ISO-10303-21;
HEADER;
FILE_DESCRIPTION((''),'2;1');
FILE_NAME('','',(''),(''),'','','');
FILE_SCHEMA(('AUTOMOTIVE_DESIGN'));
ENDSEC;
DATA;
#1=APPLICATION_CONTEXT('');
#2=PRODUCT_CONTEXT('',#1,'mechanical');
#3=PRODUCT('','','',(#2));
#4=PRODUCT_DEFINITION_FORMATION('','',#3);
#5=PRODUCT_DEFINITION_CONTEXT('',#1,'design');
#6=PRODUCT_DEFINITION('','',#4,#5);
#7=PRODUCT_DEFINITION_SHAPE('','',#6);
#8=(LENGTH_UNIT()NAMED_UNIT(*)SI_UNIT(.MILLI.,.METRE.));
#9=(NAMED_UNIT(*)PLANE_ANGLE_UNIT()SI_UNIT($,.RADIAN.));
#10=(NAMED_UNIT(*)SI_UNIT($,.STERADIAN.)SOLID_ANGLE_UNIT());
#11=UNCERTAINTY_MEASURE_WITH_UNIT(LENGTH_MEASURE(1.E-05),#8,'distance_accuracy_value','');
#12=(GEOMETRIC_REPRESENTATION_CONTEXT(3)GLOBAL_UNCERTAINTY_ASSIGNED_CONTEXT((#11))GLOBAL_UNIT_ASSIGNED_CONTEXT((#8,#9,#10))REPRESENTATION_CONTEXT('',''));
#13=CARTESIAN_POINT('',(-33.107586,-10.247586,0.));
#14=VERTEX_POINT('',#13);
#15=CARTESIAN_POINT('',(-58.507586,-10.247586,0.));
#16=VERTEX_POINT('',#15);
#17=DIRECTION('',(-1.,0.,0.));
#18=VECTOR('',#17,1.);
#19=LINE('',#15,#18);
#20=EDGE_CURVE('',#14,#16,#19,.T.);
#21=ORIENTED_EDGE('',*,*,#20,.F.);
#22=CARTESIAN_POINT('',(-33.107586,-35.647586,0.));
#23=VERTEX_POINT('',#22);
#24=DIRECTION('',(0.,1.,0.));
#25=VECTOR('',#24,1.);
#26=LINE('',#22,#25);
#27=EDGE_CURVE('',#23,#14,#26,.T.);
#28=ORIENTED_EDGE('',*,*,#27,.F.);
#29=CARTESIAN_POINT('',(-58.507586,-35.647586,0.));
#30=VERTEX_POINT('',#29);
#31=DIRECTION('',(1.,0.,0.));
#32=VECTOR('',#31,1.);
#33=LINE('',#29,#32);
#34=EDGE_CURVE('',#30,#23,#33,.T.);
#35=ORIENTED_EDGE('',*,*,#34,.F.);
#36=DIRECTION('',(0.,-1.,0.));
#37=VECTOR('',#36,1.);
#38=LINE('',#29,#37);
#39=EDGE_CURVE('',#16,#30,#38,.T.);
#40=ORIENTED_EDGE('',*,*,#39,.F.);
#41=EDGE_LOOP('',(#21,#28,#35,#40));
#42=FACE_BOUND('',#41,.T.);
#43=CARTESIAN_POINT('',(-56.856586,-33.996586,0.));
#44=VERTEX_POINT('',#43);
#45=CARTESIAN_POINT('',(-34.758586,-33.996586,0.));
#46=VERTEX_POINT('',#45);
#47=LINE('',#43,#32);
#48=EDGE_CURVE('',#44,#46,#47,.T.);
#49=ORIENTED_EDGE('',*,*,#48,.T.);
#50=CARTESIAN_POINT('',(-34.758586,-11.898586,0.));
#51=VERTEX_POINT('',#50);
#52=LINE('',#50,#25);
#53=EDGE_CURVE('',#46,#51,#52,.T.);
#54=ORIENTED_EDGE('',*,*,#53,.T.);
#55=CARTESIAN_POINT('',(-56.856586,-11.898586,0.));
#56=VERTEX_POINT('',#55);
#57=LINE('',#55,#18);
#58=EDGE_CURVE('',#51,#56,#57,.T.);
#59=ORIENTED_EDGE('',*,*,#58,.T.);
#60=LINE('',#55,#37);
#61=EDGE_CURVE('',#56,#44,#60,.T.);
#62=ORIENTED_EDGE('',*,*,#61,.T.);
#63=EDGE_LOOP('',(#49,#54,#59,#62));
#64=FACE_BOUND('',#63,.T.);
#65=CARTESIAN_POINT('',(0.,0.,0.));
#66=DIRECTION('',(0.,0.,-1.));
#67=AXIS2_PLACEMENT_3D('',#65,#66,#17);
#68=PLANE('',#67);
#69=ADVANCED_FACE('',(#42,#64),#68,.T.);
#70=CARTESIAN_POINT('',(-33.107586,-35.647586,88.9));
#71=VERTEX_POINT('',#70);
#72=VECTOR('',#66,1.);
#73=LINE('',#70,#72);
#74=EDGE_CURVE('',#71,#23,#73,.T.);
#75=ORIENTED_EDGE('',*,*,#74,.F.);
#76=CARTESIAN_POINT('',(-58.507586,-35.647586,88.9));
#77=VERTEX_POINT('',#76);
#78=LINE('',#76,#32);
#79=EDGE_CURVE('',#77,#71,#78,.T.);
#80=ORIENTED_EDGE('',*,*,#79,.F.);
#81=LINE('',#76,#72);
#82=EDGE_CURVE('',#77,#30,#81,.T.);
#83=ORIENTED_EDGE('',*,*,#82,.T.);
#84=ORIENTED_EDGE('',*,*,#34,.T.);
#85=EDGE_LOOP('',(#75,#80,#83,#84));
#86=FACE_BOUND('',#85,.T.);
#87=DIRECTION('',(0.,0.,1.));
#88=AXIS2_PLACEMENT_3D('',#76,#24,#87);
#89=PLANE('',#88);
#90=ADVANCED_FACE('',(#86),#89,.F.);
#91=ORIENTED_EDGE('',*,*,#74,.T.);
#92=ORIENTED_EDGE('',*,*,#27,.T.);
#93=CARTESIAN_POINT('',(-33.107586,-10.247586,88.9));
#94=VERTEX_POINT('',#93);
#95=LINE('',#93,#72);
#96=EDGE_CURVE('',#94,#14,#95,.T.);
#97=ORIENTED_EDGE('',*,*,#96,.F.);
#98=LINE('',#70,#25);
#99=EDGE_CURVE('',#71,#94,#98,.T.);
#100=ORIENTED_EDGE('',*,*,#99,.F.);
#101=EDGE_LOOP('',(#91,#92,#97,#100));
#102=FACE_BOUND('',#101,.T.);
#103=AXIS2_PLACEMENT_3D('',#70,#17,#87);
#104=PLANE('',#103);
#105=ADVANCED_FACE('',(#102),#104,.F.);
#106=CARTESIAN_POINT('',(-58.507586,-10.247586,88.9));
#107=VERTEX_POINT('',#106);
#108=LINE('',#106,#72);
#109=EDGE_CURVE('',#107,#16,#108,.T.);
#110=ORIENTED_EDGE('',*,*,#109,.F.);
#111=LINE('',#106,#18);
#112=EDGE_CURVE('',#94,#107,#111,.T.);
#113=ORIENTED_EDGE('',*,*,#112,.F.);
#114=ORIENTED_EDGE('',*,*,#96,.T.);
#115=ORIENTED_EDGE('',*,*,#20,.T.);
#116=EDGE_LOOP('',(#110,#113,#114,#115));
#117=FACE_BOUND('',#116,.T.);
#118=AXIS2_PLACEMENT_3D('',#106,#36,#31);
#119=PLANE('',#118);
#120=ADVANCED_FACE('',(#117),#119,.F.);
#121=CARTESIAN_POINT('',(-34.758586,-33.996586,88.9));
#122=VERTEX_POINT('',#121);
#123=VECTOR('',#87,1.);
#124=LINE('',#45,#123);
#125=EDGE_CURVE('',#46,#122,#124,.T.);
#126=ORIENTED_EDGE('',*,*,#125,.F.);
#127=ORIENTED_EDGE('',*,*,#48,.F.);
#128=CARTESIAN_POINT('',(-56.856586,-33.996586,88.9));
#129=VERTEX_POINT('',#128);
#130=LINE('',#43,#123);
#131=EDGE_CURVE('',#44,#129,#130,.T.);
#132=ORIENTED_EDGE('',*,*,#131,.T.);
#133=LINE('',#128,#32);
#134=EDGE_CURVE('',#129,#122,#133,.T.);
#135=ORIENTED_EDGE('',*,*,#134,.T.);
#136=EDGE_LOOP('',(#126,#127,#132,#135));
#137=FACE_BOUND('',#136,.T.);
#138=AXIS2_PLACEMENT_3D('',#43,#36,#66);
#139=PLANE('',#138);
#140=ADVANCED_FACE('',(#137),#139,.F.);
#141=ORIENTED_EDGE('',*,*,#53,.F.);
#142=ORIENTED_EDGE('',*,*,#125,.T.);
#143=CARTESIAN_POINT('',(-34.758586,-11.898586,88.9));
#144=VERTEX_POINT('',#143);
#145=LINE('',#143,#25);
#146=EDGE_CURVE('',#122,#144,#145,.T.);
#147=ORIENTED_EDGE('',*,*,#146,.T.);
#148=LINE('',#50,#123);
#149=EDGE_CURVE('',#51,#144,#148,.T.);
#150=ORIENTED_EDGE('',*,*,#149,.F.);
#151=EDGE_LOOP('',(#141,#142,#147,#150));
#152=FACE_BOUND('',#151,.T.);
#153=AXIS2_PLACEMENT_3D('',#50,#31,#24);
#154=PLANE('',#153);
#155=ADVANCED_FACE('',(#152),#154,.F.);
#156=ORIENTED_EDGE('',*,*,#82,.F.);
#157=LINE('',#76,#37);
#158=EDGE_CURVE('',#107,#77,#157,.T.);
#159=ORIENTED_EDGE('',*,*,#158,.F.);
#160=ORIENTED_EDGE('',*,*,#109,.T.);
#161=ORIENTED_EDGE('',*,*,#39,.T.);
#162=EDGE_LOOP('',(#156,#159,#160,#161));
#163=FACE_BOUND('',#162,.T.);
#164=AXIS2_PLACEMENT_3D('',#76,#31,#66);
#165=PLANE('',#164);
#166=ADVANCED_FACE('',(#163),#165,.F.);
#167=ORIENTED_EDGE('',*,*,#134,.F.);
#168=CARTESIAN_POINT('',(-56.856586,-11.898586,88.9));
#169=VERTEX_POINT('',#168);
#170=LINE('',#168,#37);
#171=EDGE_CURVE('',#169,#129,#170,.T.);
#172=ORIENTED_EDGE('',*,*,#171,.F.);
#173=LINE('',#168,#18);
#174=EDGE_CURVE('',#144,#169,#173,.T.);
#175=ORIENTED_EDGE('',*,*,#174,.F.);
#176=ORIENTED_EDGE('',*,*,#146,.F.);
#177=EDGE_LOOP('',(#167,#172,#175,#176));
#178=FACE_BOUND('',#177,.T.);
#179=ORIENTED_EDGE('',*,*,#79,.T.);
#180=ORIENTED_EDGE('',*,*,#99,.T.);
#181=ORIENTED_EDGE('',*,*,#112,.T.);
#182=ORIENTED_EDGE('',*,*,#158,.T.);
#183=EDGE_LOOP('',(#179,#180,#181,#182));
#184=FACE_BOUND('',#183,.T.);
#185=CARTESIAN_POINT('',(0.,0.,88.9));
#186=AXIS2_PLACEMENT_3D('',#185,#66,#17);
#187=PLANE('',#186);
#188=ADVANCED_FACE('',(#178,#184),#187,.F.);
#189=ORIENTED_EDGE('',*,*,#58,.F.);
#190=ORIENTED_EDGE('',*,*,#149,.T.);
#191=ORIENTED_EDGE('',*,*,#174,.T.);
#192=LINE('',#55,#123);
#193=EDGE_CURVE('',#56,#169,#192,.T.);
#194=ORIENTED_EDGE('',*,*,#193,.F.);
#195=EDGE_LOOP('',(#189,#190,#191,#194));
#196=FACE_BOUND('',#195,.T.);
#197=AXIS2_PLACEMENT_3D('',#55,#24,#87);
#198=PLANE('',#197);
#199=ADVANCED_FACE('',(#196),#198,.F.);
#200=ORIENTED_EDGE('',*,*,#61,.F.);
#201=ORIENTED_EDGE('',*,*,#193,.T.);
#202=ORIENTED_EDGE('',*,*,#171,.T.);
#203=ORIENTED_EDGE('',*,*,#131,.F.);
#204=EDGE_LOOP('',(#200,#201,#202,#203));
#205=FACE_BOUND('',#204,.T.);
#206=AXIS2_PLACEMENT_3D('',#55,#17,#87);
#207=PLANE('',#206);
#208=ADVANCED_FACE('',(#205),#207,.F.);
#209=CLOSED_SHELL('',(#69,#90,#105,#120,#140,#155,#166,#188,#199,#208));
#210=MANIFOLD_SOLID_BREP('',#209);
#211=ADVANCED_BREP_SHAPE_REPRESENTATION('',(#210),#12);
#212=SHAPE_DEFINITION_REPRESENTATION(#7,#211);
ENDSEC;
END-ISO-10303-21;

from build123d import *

# Parameters (mm, degrees)
SKETCH1_W           = 25.4
SKETCH1_H           = 25.4
BOSS_EXTRUDE1_DEPTH = 88.9
SKETCH2_W           = 22.098
SKETCH2_H           = 22.098
CUT_EXTRUDE1_DEPTH  = 113.236794529


with BuildPart() as part:
    # Sketch1 → Boss-Extrude1 (new body)
    with BuildSketch(Plane.XY):
        with Locations((-45.807586207, -22.947586207)):
            Rectangle(SKETCH1_W, SKETCH1_H)
    extrude(amount=BOSS_EXTRUDE1_DEPTH)

    # Sketch2 → Cut-Extrude1 (cut, through all)
    with BuildSketch(Plane.XY.offset(88.9)):
        with Locations((-45.807586207, -22.947586207)):
            Rectangle(SKETCH2_W, SKETCH2_H)
    extrude(amount=-CUT_EXTRUDE1_DEPTH, mode=Mode.SUBTRACT)


solid = part.part
